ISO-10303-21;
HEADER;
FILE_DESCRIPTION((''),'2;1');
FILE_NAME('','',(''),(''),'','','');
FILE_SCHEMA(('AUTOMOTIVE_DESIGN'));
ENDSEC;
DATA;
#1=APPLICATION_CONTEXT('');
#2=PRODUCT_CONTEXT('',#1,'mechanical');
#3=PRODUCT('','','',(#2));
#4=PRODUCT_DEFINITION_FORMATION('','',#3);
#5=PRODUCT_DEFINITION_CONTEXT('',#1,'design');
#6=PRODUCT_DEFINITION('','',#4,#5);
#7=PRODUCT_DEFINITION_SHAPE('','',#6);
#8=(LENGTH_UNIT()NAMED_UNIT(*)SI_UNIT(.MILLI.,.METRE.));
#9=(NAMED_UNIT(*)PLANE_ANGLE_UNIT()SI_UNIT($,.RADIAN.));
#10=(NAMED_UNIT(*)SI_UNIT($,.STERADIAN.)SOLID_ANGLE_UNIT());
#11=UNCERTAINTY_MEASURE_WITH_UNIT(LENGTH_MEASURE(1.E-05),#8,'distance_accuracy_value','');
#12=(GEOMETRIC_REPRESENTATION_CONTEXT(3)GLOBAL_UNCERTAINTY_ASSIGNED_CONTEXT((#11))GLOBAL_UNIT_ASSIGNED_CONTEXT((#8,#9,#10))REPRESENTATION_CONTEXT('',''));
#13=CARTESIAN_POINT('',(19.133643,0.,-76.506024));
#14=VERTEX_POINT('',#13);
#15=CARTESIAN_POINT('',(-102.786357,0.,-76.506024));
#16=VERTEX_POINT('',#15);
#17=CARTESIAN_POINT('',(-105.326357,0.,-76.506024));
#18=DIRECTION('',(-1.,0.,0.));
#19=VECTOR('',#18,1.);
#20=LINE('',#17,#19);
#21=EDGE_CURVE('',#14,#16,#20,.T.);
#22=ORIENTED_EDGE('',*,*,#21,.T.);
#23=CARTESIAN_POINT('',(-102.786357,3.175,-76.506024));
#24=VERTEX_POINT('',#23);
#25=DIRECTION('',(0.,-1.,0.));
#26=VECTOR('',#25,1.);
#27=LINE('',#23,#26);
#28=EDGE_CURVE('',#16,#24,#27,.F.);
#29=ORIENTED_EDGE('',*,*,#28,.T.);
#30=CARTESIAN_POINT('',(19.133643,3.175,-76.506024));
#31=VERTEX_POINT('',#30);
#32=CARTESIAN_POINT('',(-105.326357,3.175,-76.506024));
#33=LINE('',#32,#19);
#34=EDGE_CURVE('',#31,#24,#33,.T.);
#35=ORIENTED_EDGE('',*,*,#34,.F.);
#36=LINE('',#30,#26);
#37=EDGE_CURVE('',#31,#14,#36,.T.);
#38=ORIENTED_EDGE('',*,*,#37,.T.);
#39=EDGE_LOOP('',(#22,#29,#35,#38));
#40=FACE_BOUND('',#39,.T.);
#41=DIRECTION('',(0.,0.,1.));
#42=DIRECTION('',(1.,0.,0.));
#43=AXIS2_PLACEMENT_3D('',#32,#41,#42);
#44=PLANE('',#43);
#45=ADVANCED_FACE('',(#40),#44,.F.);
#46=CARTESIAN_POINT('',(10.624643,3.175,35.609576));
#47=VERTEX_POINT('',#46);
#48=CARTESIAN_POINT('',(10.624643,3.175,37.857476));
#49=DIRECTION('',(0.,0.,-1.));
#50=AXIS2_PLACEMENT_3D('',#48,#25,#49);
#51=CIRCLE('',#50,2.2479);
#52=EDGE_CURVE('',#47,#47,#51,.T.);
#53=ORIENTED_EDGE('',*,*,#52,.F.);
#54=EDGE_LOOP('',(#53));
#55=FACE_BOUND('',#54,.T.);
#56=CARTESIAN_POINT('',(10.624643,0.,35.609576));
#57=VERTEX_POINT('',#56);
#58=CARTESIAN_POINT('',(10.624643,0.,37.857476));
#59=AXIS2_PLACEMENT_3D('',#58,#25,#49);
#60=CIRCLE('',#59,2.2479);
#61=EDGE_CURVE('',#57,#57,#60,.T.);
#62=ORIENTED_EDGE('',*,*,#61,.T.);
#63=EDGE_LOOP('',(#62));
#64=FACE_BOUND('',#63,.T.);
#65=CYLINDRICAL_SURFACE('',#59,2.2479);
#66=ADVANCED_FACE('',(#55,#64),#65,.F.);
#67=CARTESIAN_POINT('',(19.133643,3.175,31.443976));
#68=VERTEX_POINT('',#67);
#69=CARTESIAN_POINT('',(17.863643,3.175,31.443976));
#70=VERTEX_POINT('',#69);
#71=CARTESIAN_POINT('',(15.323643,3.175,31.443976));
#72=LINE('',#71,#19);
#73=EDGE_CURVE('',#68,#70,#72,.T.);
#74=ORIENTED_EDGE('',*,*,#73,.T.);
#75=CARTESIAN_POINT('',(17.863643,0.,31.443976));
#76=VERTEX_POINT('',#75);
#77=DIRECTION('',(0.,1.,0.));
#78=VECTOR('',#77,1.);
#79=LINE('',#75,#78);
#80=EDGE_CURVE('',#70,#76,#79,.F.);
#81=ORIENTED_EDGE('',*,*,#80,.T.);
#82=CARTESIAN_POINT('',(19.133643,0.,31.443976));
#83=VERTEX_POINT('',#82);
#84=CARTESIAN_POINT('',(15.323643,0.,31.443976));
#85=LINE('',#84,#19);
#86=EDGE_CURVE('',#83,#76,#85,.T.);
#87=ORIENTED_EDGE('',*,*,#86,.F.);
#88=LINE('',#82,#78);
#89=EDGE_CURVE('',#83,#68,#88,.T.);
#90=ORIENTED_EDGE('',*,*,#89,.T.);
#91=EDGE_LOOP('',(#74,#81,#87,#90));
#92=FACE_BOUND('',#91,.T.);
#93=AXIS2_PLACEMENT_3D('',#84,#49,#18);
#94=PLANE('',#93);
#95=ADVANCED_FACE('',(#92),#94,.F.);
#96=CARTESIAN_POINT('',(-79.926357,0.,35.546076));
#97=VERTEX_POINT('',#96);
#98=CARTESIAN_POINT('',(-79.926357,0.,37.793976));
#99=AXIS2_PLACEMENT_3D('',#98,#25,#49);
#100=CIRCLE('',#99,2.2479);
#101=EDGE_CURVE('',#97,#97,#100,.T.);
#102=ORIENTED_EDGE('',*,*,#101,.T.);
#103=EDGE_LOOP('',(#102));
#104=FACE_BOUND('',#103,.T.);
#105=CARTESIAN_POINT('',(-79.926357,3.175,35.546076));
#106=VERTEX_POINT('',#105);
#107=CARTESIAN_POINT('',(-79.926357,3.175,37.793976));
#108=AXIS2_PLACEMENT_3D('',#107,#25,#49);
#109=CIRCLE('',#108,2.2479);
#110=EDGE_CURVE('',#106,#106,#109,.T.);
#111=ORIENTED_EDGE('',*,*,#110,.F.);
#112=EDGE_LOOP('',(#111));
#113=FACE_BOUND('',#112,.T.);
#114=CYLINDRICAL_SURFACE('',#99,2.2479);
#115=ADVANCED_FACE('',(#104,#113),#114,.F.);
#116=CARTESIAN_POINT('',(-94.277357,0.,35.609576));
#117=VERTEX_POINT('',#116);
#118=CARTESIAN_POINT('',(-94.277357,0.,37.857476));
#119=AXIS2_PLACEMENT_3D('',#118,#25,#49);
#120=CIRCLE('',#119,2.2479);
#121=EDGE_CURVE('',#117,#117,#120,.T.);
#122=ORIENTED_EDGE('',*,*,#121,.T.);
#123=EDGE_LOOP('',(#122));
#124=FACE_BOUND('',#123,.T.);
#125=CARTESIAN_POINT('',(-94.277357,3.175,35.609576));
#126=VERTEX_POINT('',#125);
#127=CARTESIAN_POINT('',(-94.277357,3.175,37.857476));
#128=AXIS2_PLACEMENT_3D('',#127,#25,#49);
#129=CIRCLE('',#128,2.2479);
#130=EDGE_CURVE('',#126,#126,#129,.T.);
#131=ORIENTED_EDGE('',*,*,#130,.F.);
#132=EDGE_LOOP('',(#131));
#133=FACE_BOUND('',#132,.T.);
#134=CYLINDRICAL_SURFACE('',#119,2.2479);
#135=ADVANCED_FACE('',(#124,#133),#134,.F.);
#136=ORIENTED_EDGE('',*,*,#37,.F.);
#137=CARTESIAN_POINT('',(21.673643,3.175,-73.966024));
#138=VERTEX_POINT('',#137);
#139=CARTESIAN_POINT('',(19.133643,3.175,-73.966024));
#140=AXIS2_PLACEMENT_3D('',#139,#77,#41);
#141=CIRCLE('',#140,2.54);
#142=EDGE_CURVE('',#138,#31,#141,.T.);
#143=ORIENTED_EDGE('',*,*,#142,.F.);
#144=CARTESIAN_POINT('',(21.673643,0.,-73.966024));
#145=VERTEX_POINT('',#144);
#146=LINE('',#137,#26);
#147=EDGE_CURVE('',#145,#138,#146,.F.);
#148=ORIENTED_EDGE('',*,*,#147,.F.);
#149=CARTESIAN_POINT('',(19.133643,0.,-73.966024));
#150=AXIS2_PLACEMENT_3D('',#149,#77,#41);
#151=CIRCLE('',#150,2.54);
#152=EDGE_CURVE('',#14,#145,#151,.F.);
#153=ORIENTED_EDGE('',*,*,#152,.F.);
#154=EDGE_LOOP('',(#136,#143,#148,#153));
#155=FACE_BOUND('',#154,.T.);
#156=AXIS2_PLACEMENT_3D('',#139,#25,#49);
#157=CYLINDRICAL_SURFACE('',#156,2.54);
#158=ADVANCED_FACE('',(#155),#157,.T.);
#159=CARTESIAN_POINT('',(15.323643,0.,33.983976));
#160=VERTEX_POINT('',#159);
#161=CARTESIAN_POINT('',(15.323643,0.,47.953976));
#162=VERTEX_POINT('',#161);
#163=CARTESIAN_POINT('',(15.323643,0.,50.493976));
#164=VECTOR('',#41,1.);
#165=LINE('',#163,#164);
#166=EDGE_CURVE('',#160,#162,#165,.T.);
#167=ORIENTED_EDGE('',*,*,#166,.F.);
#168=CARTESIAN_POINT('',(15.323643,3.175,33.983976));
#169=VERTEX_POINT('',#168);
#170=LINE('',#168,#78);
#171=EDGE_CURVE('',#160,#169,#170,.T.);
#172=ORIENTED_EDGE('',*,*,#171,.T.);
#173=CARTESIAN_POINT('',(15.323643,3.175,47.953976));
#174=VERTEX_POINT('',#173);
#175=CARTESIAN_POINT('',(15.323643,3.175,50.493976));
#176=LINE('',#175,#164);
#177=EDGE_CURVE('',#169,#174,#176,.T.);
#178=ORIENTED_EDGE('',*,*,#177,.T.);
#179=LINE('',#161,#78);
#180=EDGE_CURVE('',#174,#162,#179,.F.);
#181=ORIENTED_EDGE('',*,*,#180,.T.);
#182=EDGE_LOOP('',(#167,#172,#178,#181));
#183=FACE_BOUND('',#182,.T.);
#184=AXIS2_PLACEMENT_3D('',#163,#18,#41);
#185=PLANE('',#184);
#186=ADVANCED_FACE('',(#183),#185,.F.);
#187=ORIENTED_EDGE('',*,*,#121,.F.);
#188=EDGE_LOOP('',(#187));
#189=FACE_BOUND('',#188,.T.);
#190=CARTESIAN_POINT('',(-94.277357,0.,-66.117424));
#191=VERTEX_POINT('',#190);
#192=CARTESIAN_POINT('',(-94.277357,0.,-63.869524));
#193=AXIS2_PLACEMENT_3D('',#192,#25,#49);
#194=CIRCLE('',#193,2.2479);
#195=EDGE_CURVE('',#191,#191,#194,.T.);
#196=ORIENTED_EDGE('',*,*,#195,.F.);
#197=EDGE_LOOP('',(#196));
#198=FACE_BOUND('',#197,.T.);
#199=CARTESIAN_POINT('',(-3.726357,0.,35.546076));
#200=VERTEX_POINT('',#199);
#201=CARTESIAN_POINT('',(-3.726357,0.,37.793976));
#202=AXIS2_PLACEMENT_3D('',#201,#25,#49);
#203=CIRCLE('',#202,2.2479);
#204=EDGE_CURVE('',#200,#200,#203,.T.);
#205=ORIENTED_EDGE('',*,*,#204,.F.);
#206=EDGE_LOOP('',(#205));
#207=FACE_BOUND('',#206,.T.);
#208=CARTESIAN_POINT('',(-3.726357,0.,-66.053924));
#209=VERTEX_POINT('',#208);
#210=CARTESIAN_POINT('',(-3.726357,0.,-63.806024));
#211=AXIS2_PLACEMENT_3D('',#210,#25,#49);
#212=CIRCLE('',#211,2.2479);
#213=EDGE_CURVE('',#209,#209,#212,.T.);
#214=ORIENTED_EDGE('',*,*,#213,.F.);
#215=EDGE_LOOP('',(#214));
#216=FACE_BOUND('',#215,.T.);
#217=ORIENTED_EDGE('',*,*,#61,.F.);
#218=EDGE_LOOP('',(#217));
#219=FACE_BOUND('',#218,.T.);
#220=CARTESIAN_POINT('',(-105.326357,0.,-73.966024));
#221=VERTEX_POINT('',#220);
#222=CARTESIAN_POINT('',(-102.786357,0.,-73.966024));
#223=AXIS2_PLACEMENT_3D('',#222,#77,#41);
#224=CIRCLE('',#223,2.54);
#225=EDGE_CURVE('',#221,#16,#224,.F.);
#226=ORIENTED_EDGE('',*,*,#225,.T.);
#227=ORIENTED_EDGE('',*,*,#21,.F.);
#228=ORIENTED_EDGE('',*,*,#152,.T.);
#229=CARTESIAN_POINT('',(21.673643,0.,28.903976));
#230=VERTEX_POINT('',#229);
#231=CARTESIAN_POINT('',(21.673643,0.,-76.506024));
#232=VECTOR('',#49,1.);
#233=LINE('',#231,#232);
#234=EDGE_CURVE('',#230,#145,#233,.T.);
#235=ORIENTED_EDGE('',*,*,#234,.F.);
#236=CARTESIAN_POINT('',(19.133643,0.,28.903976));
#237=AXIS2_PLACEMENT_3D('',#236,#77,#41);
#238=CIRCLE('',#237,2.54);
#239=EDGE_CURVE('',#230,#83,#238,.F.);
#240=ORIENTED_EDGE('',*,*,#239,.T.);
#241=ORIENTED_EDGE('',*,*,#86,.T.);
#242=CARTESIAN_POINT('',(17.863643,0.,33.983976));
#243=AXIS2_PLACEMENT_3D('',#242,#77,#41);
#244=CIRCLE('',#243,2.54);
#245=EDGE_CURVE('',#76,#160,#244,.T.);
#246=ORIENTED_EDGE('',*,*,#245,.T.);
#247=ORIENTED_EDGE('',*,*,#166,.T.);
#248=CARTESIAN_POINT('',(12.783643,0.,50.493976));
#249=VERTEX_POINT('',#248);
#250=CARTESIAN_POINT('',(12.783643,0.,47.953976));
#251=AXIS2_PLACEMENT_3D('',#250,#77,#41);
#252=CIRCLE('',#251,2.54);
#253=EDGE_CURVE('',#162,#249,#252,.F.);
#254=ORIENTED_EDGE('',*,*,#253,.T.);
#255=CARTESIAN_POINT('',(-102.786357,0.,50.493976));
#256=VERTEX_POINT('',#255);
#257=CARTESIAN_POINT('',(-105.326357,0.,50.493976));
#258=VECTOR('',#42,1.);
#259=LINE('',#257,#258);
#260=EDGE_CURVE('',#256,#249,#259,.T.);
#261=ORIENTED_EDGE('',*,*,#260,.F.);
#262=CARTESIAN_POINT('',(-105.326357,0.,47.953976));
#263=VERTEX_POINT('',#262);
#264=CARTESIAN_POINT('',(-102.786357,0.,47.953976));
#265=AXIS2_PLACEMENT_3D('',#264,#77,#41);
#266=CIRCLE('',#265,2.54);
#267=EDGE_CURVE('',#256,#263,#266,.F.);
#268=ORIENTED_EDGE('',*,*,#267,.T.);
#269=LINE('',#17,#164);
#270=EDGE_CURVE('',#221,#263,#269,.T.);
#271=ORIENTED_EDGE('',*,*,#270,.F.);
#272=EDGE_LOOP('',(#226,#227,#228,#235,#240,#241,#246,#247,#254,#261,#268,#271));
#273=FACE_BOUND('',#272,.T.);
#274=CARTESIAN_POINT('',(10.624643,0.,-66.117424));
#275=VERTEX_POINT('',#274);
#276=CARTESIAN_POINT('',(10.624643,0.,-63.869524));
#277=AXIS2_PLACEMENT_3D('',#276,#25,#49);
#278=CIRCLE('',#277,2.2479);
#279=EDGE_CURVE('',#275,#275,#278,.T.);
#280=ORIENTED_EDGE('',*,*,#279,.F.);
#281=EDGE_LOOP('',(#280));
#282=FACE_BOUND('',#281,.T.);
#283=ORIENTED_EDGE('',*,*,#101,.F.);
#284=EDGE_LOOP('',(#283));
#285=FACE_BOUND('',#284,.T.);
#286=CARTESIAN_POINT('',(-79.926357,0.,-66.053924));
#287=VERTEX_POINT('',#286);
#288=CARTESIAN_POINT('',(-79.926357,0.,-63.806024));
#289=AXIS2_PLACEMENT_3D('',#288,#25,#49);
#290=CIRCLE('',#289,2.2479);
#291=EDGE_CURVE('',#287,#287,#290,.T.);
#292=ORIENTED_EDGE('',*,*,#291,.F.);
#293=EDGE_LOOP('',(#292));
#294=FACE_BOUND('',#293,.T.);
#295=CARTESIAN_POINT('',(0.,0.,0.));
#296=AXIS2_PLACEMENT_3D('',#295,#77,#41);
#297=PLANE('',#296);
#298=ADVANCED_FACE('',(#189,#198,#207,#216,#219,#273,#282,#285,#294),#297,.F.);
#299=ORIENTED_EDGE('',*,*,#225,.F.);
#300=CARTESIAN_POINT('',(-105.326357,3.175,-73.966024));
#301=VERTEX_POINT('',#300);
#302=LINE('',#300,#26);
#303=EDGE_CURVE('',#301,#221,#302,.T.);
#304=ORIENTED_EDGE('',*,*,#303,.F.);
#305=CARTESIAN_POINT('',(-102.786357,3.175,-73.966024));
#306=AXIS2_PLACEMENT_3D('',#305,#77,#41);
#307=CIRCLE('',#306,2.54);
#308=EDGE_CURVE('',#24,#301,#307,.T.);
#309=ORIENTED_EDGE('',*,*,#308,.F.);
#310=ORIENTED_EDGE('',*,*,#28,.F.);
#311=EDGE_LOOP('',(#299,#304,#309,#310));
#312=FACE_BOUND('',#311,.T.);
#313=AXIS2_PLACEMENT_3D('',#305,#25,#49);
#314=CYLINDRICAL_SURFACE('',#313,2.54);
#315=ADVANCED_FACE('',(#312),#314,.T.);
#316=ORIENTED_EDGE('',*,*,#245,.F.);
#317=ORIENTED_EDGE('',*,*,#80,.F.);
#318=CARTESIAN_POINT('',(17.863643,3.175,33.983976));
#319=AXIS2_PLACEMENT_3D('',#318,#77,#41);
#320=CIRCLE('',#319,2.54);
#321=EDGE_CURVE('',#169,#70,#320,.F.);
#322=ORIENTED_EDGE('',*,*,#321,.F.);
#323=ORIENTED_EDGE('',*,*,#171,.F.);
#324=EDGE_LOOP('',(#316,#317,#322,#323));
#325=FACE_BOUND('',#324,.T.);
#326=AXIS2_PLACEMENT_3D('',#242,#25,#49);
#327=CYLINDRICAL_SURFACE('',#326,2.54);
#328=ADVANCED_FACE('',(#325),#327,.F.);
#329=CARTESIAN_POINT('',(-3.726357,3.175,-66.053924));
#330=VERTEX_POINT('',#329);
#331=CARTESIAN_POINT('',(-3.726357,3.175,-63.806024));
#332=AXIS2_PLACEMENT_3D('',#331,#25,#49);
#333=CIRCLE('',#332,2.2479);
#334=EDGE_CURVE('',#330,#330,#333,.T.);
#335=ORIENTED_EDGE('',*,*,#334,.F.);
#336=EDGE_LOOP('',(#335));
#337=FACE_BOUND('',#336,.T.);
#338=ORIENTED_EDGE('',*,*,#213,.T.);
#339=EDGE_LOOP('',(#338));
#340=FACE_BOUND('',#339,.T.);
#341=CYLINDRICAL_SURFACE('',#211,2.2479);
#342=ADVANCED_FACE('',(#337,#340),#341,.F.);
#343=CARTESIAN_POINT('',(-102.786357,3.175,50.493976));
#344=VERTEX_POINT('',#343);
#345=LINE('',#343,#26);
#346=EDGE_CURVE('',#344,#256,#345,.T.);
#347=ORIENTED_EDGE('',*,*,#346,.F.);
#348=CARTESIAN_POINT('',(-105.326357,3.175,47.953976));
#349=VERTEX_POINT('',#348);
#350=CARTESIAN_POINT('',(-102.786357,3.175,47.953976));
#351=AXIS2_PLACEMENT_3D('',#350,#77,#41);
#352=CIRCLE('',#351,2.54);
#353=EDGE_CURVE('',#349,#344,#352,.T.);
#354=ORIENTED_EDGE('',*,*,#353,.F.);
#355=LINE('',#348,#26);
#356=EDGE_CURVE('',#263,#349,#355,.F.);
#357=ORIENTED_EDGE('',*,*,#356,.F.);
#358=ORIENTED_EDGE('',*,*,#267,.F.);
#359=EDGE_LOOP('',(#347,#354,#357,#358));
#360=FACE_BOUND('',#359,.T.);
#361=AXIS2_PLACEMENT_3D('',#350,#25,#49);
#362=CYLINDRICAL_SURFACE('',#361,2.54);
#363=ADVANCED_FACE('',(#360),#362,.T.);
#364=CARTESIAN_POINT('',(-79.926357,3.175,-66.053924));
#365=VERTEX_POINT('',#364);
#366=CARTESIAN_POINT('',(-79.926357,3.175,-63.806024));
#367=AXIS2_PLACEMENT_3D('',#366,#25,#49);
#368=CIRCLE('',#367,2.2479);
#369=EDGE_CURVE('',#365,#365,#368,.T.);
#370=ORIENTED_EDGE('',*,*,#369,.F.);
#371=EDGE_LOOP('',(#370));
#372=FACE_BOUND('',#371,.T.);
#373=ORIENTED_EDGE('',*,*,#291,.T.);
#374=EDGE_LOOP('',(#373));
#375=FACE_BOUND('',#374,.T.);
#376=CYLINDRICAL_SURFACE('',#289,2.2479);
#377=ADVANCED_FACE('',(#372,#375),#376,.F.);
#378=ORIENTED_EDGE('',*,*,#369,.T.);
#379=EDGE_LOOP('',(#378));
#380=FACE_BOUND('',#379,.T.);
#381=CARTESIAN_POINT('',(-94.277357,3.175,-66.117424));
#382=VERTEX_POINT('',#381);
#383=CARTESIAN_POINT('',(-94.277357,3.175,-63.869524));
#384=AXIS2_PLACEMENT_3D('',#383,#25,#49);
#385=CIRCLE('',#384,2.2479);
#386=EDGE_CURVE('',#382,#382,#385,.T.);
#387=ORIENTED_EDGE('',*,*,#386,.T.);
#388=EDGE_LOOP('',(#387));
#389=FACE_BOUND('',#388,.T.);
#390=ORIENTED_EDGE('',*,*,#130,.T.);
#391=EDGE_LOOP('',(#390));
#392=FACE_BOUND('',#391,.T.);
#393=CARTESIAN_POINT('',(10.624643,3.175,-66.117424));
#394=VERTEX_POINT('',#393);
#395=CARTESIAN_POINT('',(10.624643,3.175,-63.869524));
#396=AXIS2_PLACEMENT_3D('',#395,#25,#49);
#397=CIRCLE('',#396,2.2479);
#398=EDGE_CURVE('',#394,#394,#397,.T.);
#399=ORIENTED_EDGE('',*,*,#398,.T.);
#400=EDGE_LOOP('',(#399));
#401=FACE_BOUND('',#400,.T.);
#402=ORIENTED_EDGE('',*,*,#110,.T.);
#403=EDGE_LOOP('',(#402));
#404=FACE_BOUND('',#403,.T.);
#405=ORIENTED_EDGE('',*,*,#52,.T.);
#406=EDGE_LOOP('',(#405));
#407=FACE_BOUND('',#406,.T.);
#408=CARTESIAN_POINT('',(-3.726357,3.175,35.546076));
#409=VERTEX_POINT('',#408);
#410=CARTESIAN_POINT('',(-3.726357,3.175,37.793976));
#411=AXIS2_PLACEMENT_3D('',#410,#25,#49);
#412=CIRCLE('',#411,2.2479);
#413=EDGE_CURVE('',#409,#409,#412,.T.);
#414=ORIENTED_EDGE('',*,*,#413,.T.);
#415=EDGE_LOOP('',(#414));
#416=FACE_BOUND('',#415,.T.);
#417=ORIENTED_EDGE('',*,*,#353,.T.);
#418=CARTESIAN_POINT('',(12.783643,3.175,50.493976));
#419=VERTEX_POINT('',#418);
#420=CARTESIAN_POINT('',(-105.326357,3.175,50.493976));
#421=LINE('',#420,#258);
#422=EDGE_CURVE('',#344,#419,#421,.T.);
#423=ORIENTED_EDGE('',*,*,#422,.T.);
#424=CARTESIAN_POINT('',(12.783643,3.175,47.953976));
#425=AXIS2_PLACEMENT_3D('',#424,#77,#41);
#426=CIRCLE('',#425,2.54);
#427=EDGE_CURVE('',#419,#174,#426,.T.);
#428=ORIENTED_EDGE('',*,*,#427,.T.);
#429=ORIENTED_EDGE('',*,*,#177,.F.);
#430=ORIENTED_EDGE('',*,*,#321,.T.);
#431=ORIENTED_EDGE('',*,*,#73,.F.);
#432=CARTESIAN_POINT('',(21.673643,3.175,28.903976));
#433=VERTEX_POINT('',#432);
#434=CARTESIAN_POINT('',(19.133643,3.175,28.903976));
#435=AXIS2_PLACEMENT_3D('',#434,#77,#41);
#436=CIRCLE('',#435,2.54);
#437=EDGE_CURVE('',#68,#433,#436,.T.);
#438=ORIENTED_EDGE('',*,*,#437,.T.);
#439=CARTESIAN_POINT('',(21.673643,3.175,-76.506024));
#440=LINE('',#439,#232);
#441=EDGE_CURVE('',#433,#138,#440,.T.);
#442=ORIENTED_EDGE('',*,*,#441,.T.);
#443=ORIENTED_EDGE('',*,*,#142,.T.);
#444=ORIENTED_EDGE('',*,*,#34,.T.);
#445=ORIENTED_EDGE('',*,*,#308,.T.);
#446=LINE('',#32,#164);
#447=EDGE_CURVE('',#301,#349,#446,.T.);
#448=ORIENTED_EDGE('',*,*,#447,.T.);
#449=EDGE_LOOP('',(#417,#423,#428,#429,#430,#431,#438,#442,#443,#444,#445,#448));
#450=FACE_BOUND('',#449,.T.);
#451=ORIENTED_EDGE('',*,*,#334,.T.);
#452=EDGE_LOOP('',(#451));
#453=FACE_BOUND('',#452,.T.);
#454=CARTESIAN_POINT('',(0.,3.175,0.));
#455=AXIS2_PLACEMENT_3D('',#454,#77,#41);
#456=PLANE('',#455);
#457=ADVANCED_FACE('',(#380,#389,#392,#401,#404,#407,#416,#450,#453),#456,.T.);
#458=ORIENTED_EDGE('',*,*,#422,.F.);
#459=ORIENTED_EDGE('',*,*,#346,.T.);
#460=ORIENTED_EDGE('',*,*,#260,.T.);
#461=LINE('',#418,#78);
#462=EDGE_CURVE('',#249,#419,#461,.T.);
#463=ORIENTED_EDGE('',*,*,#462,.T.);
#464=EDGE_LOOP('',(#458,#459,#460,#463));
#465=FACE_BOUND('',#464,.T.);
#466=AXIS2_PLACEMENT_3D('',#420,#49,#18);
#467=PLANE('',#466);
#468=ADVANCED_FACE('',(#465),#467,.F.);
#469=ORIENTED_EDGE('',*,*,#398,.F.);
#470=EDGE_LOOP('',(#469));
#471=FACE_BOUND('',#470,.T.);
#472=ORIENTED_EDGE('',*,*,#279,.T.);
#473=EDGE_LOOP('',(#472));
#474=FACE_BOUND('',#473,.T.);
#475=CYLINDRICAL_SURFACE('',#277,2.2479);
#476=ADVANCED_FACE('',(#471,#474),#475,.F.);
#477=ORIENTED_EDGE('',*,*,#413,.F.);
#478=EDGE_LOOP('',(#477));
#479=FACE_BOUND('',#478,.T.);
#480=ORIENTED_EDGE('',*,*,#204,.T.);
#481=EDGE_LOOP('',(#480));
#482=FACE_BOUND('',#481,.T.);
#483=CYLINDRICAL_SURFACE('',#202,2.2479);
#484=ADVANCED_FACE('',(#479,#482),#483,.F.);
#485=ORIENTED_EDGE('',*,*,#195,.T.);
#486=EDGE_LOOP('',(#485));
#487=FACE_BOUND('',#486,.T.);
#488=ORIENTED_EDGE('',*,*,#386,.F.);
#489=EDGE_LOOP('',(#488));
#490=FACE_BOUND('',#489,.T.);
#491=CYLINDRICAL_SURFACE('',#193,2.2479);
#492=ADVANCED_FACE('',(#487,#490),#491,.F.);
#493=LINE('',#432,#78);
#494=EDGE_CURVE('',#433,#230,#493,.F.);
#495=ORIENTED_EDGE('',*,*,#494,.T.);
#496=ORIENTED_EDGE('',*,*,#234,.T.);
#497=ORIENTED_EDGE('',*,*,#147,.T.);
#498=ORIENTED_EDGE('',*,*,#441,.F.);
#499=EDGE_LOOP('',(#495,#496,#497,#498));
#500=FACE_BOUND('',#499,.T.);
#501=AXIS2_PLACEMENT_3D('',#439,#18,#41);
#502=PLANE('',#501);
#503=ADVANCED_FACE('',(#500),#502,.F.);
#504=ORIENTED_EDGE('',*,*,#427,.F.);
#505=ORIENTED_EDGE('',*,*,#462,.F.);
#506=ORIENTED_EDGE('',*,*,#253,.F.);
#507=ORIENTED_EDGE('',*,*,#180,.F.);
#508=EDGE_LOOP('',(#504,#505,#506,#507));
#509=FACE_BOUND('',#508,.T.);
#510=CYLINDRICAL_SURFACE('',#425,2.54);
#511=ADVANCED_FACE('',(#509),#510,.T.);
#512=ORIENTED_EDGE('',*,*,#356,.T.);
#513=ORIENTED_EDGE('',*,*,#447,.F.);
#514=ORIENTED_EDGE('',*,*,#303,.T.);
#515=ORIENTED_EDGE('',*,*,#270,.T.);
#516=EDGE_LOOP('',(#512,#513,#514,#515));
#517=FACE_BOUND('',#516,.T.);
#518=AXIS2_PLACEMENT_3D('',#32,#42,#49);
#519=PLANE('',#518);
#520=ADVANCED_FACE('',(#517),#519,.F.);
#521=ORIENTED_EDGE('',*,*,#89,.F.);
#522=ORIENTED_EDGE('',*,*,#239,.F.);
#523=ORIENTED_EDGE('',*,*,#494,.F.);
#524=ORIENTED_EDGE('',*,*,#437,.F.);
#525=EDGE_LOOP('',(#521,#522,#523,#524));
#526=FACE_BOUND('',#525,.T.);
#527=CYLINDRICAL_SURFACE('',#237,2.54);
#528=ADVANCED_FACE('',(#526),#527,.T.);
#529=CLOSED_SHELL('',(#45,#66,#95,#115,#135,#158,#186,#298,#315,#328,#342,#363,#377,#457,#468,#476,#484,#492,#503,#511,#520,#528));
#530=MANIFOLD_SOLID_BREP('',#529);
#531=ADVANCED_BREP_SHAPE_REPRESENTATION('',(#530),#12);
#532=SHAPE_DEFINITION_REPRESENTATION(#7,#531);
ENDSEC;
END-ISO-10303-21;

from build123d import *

# Parameters (mm, degrees)
SKETCH1_W                   = 127
SKETCH1_H                   = 127
BOSS_EXTRUDE1_DEPTH         = 3.175
F_16_0_177_DIAMETER_HOLE1_D = 4.4958
F_16_0_177_DIAMETER_HOLE2_D = 4.4958
SKETCH12_W                  = 6.35
SKETCH12_H                  = 19.05
CUT_EXTRUDE1_DEPTH          = 131.218638569
FILLET1_R                   = 2.54


with BuildPart() as part:
    # Sketch1 → Boss-Extrude1 (new body)
    with BuildSketch(Plane(origin=(0, 0, 0), x_dir=(1, 0, 0), z_dir=(0, 1, 0))):
        with Locations((-41.826357018, 13.006024096)):
            Rectangle(SKETCH1_W, SKETCH1_H)
    extrude(amount=BOSS_EXTRUDE1_DEPTH)

    # #16 (0.177) Diameter Hole1 (through all)
    with Locations(Plane(origin=(0, 0, 0), x_dir=(-1, 0, 0), z_dir=(0, -1, 0))):
        with Locations((3.726357018, 63.806024096), (79.926357018, -37.793975904), (79.926357018, 63.806024096), (3.726357018, -37.793975904)):
            Hole(F_16_0_177_DIAMETER_HOLE1_D / 2)

    # #16 (0.177) Diameter Hole2 (through all)
    with Locations(Plane(origin=(0, 0, 0), x_dir=(-1, 0, 0), z_dir=(0, -1, 0))):
        with Locations((-10.624642982, 63.869524096), (94.277357018, -37.857475904), (94.277357018, 63.869524096), (-10.624642982, -37.857475904)):
            Hole(F_16_0_177_DIAMETER_HOLE2_D / 2)

    # Sketch12 → Cut-Extrude1 (cut, through all)
    with BuildSketch(Plane(origin=(0, 3.175, 0), x_dir=(1, 0, 0), z_dir=(0, 1, 0))):
        with Locations((18.498642982, -40.968975904)):
            Rectangle(SKETCH12_W, SKETCH12_H)
    extrude(amount=-CUT_EXTRUDE1_DEPTH, mode=Mode.SUBTRACT)

    # Fillet1
    fillet1_edges = [part.edges().sort_by_distance(p)[0] for p in [
        (15.323642982, 1.5875, 50.493975904),
        (15.323642982, 1.5875, 31.443975904),
        (21.673642982, 1.5875, 31.443975904),
        (-105.326357018, 1.5875, 50.493975904),
        (-105.326357018, 1.5875, -76.506024096),
        (21.673642982, 1.5875, -76.506024096),
    ]]
    fillet(fillet1_edges, radius=FILLET1_R)


solid = part.part
